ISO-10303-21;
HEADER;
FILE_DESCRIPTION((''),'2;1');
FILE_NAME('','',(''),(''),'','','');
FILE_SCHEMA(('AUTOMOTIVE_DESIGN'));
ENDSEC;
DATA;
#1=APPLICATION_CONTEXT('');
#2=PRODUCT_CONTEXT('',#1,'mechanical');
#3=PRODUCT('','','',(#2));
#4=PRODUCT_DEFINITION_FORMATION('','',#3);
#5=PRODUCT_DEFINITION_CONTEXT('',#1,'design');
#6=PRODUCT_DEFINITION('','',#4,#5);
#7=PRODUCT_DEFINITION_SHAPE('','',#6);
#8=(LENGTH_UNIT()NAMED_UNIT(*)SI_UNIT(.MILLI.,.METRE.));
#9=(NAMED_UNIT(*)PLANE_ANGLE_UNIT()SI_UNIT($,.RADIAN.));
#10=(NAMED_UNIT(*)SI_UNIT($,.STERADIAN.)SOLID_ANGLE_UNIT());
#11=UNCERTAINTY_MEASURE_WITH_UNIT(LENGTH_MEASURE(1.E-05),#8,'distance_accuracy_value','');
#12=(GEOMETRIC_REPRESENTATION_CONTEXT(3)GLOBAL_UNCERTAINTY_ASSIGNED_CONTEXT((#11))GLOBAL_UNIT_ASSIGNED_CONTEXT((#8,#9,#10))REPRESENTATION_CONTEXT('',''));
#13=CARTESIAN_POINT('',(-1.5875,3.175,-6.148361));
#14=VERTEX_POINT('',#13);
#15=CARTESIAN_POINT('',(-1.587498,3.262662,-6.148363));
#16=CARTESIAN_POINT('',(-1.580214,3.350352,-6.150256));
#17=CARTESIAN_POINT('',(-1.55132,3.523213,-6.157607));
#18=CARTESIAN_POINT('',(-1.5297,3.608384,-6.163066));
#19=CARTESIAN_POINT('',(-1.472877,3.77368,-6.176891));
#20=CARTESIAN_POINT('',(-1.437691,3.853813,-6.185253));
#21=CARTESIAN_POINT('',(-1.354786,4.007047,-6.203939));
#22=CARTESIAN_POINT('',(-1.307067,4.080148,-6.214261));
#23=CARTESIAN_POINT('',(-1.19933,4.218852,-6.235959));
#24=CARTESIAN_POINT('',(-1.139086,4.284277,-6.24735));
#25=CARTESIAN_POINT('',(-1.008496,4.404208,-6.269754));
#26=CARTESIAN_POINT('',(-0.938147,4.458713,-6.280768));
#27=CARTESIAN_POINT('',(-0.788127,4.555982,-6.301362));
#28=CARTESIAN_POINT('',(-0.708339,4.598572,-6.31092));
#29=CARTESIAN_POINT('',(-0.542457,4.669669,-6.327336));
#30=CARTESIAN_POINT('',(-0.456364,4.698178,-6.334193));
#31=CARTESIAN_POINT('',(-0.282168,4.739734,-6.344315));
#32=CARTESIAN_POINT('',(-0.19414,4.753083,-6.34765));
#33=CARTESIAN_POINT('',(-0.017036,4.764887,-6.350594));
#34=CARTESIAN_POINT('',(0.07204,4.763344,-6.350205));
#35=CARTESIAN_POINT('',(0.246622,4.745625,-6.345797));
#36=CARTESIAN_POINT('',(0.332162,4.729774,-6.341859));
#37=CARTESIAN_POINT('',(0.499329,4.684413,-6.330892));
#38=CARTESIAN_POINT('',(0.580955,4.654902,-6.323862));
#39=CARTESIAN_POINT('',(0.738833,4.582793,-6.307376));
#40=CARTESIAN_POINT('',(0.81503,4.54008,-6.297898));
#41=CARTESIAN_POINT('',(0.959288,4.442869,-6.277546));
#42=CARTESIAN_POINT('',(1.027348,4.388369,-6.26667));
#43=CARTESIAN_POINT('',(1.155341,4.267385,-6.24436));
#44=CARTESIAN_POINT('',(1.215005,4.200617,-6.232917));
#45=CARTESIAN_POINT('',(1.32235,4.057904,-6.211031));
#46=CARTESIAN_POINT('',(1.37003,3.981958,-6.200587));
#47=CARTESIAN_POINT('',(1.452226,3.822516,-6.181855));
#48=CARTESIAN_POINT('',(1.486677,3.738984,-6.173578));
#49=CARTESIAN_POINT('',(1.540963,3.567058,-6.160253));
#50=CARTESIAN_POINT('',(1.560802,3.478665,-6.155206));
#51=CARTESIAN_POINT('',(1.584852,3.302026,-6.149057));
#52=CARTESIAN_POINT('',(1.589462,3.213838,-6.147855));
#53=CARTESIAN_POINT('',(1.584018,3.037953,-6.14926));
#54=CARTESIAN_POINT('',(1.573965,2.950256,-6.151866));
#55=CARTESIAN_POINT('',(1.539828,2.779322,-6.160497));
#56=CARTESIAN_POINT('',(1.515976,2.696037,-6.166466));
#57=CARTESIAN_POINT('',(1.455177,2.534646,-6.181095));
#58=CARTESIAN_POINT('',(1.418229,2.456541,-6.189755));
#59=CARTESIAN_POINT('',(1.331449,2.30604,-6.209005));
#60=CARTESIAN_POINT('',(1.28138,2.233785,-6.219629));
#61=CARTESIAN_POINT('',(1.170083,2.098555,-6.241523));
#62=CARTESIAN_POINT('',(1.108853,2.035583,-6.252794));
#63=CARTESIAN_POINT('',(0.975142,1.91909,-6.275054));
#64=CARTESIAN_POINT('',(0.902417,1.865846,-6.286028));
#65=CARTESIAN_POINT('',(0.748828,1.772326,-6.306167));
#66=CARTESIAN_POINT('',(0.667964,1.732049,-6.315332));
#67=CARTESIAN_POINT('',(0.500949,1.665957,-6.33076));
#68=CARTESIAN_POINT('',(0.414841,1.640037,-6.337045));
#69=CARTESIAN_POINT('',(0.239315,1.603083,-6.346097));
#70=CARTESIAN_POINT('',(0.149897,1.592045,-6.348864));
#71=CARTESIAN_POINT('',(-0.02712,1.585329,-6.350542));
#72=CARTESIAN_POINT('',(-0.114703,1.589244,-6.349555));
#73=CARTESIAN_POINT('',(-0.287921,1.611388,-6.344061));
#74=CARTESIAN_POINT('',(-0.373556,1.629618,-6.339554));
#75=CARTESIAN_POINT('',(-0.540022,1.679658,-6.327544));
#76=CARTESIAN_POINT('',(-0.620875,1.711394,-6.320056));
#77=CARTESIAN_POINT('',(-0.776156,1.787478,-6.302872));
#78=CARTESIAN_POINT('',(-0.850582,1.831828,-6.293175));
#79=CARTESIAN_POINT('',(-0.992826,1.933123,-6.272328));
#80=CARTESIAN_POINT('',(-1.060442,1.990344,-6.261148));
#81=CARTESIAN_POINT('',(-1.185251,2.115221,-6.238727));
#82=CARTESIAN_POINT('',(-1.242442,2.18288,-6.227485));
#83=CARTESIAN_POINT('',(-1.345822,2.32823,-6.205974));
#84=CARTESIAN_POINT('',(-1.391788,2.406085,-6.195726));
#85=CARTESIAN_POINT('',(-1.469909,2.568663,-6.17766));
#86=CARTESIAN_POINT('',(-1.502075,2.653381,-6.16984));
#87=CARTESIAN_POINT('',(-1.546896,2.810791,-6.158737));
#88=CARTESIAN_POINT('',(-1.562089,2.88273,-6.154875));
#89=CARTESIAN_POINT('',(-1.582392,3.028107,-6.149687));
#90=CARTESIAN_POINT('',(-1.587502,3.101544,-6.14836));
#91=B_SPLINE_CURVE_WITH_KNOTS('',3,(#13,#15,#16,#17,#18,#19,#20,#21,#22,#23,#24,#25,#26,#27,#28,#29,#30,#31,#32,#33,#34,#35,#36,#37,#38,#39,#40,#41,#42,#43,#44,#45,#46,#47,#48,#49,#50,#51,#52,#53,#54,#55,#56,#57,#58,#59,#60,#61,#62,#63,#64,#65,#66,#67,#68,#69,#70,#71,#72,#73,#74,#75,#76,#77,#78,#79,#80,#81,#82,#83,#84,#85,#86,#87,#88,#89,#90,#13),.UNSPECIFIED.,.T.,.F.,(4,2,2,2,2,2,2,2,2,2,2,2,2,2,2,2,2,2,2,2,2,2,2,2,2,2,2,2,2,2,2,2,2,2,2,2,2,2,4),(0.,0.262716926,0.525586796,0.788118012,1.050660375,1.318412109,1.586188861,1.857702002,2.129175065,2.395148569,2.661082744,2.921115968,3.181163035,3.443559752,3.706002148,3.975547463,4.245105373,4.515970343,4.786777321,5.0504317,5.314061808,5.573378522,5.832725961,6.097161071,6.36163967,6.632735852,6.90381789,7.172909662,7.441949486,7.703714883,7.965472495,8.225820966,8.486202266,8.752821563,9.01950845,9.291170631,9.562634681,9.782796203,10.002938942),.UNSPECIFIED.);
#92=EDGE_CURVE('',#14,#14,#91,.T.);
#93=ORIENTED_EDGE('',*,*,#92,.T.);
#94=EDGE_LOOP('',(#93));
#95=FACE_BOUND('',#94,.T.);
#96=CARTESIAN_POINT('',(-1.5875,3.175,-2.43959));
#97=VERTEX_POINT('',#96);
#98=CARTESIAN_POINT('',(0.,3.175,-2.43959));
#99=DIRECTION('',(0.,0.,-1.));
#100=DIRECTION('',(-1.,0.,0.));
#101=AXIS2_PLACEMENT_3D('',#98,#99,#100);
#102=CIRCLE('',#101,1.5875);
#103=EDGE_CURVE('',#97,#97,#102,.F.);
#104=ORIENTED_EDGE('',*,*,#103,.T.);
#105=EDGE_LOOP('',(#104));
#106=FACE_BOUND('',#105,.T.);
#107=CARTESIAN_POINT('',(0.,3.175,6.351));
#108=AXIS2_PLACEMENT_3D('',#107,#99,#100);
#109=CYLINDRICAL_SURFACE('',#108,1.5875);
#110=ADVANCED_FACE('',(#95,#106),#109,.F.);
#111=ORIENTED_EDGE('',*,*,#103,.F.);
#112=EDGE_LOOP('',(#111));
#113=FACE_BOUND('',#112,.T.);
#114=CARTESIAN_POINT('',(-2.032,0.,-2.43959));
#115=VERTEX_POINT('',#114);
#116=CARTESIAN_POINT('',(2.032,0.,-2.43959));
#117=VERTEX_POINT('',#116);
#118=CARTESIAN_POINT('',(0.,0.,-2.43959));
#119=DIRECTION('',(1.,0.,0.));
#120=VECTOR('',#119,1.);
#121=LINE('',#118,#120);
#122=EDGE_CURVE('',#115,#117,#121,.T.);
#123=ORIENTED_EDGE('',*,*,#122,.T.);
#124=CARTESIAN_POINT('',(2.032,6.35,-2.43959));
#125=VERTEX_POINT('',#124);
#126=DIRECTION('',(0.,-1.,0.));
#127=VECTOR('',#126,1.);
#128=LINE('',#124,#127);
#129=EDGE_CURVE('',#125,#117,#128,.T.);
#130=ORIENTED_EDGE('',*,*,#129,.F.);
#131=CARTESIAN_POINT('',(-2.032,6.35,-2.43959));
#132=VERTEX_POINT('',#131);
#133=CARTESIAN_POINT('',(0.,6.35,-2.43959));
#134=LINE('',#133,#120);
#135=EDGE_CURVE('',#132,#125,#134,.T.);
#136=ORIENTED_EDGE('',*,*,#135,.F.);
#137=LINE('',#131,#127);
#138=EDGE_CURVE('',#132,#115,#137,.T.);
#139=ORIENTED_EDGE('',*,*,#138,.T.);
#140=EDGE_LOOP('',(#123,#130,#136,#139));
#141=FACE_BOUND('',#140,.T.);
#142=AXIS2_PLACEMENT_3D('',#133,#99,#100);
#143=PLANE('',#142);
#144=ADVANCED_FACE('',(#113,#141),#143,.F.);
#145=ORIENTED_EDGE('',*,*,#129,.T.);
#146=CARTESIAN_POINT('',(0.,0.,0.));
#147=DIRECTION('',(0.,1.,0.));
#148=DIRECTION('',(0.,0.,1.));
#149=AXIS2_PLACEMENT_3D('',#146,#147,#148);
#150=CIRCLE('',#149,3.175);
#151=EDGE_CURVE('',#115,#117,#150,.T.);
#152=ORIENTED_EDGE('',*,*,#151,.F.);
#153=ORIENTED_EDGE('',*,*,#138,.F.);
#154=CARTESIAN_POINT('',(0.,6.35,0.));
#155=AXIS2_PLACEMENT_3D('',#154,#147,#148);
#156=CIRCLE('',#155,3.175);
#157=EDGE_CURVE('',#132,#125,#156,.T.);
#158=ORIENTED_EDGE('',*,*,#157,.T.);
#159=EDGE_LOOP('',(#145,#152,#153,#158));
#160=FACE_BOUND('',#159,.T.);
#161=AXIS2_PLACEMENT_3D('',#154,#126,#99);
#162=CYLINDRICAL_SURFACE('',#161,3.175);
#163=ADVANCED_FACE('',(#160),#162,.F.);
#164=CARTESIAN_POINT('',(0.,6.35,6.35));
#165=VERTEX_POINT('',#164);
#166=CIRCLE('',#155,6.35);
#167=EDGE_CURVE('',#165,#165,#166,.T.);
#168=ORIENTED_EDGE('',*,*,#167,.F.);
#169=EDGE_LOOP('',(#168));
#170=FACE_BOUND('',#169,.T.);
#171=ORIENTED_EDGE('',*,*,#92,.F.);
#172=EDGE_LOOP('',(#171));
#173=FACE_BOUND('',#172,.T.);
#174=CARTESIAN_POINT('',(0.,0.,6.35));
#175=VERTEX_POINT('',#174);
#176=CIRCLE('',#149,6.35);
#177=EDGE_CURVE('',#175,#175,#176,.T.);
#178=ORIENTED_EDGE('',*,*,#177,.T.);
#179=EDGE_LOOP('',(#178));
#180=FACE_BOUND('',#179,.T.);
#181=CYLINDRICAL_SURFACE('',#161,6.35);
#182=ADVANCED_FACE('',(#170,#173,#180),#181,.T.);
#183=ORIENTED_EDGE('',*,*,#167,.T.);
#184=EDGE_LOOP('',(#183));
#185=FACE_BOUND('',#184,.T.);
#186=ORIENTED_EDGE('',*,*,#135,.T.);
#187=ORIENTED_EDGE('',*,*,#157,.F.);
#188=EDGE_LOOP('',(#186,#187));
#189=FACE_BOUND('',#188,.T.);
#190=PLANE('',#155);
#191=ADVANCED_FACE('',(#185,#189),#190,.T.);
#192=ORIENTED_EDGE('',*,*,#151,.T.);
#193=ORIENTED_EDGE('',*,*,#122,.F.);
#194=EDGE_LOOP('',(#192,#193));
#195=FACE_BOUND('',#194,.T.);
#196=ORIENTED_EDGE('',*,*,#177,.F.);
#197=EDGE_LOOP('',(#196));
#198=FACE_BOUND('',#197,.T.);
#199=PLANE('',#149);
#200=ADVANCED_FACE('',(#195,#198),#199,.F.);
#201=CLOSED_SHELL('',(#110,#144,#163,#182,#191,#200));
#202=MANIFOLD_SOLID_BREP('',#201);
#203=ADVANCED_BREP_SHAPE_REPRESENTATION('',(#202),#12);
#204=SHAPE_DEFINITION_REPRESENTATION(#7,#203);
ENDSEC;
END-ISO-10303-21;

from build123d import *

# Parameters (mm, degrees)
SKETCH1_R           = 6.35
BOSS_EXTRUDE1_DEPTH = 6.35
CUT_EXTRUDE1_REACH  = 14.7
SKETCH3_R           = 1.5875


with BuildPart() as part:
    # Sketch1 → Boss-Extrude1 (new body)
    with BuildSketch(Plane(origin=(0, 0, 0), x_dir=(1, 0, 0), z_dir=(0, 1, 0))):
        Circle(SKETCH1_R)
        with BuildLine():
            Line((-2.032, 2.439590334), (2.032, 2.439590334))
            ThreePointArc((2.032, 2.439590334), (0, -3.175), (-2.032, 2.439590334))
        make_face(mode=Mode.SUBTRACT)
    extrude(amount=BOSS_EXTRUDE1_DEPTH)

    # Sketch3 → Cut-Extrude1 (cut, up to next)
    with BuildSketch(Plane(origin=(0, 0, -6.35), x_dir=(-1, 0, 0), z_dir=(0, 0, -1)), mode=Mode.PRIVATE) as cut_extrude1_sk1:
        with Locations((0, 3.175)):
            Circle(SKETCH3_R)
    cut_extrude1_tool1 = extrude(cut_extrude1_sk1.sketch, amount=-CUT_EXTRUDE1_REACH, mode=Mode.PRIVATE) & part.part
    add(cut_extrude1_tool1.solids().sort_by_distance((0, 3.175, -6.35))[0], mode=Mode.SUBTRACT)


solid = part.part
